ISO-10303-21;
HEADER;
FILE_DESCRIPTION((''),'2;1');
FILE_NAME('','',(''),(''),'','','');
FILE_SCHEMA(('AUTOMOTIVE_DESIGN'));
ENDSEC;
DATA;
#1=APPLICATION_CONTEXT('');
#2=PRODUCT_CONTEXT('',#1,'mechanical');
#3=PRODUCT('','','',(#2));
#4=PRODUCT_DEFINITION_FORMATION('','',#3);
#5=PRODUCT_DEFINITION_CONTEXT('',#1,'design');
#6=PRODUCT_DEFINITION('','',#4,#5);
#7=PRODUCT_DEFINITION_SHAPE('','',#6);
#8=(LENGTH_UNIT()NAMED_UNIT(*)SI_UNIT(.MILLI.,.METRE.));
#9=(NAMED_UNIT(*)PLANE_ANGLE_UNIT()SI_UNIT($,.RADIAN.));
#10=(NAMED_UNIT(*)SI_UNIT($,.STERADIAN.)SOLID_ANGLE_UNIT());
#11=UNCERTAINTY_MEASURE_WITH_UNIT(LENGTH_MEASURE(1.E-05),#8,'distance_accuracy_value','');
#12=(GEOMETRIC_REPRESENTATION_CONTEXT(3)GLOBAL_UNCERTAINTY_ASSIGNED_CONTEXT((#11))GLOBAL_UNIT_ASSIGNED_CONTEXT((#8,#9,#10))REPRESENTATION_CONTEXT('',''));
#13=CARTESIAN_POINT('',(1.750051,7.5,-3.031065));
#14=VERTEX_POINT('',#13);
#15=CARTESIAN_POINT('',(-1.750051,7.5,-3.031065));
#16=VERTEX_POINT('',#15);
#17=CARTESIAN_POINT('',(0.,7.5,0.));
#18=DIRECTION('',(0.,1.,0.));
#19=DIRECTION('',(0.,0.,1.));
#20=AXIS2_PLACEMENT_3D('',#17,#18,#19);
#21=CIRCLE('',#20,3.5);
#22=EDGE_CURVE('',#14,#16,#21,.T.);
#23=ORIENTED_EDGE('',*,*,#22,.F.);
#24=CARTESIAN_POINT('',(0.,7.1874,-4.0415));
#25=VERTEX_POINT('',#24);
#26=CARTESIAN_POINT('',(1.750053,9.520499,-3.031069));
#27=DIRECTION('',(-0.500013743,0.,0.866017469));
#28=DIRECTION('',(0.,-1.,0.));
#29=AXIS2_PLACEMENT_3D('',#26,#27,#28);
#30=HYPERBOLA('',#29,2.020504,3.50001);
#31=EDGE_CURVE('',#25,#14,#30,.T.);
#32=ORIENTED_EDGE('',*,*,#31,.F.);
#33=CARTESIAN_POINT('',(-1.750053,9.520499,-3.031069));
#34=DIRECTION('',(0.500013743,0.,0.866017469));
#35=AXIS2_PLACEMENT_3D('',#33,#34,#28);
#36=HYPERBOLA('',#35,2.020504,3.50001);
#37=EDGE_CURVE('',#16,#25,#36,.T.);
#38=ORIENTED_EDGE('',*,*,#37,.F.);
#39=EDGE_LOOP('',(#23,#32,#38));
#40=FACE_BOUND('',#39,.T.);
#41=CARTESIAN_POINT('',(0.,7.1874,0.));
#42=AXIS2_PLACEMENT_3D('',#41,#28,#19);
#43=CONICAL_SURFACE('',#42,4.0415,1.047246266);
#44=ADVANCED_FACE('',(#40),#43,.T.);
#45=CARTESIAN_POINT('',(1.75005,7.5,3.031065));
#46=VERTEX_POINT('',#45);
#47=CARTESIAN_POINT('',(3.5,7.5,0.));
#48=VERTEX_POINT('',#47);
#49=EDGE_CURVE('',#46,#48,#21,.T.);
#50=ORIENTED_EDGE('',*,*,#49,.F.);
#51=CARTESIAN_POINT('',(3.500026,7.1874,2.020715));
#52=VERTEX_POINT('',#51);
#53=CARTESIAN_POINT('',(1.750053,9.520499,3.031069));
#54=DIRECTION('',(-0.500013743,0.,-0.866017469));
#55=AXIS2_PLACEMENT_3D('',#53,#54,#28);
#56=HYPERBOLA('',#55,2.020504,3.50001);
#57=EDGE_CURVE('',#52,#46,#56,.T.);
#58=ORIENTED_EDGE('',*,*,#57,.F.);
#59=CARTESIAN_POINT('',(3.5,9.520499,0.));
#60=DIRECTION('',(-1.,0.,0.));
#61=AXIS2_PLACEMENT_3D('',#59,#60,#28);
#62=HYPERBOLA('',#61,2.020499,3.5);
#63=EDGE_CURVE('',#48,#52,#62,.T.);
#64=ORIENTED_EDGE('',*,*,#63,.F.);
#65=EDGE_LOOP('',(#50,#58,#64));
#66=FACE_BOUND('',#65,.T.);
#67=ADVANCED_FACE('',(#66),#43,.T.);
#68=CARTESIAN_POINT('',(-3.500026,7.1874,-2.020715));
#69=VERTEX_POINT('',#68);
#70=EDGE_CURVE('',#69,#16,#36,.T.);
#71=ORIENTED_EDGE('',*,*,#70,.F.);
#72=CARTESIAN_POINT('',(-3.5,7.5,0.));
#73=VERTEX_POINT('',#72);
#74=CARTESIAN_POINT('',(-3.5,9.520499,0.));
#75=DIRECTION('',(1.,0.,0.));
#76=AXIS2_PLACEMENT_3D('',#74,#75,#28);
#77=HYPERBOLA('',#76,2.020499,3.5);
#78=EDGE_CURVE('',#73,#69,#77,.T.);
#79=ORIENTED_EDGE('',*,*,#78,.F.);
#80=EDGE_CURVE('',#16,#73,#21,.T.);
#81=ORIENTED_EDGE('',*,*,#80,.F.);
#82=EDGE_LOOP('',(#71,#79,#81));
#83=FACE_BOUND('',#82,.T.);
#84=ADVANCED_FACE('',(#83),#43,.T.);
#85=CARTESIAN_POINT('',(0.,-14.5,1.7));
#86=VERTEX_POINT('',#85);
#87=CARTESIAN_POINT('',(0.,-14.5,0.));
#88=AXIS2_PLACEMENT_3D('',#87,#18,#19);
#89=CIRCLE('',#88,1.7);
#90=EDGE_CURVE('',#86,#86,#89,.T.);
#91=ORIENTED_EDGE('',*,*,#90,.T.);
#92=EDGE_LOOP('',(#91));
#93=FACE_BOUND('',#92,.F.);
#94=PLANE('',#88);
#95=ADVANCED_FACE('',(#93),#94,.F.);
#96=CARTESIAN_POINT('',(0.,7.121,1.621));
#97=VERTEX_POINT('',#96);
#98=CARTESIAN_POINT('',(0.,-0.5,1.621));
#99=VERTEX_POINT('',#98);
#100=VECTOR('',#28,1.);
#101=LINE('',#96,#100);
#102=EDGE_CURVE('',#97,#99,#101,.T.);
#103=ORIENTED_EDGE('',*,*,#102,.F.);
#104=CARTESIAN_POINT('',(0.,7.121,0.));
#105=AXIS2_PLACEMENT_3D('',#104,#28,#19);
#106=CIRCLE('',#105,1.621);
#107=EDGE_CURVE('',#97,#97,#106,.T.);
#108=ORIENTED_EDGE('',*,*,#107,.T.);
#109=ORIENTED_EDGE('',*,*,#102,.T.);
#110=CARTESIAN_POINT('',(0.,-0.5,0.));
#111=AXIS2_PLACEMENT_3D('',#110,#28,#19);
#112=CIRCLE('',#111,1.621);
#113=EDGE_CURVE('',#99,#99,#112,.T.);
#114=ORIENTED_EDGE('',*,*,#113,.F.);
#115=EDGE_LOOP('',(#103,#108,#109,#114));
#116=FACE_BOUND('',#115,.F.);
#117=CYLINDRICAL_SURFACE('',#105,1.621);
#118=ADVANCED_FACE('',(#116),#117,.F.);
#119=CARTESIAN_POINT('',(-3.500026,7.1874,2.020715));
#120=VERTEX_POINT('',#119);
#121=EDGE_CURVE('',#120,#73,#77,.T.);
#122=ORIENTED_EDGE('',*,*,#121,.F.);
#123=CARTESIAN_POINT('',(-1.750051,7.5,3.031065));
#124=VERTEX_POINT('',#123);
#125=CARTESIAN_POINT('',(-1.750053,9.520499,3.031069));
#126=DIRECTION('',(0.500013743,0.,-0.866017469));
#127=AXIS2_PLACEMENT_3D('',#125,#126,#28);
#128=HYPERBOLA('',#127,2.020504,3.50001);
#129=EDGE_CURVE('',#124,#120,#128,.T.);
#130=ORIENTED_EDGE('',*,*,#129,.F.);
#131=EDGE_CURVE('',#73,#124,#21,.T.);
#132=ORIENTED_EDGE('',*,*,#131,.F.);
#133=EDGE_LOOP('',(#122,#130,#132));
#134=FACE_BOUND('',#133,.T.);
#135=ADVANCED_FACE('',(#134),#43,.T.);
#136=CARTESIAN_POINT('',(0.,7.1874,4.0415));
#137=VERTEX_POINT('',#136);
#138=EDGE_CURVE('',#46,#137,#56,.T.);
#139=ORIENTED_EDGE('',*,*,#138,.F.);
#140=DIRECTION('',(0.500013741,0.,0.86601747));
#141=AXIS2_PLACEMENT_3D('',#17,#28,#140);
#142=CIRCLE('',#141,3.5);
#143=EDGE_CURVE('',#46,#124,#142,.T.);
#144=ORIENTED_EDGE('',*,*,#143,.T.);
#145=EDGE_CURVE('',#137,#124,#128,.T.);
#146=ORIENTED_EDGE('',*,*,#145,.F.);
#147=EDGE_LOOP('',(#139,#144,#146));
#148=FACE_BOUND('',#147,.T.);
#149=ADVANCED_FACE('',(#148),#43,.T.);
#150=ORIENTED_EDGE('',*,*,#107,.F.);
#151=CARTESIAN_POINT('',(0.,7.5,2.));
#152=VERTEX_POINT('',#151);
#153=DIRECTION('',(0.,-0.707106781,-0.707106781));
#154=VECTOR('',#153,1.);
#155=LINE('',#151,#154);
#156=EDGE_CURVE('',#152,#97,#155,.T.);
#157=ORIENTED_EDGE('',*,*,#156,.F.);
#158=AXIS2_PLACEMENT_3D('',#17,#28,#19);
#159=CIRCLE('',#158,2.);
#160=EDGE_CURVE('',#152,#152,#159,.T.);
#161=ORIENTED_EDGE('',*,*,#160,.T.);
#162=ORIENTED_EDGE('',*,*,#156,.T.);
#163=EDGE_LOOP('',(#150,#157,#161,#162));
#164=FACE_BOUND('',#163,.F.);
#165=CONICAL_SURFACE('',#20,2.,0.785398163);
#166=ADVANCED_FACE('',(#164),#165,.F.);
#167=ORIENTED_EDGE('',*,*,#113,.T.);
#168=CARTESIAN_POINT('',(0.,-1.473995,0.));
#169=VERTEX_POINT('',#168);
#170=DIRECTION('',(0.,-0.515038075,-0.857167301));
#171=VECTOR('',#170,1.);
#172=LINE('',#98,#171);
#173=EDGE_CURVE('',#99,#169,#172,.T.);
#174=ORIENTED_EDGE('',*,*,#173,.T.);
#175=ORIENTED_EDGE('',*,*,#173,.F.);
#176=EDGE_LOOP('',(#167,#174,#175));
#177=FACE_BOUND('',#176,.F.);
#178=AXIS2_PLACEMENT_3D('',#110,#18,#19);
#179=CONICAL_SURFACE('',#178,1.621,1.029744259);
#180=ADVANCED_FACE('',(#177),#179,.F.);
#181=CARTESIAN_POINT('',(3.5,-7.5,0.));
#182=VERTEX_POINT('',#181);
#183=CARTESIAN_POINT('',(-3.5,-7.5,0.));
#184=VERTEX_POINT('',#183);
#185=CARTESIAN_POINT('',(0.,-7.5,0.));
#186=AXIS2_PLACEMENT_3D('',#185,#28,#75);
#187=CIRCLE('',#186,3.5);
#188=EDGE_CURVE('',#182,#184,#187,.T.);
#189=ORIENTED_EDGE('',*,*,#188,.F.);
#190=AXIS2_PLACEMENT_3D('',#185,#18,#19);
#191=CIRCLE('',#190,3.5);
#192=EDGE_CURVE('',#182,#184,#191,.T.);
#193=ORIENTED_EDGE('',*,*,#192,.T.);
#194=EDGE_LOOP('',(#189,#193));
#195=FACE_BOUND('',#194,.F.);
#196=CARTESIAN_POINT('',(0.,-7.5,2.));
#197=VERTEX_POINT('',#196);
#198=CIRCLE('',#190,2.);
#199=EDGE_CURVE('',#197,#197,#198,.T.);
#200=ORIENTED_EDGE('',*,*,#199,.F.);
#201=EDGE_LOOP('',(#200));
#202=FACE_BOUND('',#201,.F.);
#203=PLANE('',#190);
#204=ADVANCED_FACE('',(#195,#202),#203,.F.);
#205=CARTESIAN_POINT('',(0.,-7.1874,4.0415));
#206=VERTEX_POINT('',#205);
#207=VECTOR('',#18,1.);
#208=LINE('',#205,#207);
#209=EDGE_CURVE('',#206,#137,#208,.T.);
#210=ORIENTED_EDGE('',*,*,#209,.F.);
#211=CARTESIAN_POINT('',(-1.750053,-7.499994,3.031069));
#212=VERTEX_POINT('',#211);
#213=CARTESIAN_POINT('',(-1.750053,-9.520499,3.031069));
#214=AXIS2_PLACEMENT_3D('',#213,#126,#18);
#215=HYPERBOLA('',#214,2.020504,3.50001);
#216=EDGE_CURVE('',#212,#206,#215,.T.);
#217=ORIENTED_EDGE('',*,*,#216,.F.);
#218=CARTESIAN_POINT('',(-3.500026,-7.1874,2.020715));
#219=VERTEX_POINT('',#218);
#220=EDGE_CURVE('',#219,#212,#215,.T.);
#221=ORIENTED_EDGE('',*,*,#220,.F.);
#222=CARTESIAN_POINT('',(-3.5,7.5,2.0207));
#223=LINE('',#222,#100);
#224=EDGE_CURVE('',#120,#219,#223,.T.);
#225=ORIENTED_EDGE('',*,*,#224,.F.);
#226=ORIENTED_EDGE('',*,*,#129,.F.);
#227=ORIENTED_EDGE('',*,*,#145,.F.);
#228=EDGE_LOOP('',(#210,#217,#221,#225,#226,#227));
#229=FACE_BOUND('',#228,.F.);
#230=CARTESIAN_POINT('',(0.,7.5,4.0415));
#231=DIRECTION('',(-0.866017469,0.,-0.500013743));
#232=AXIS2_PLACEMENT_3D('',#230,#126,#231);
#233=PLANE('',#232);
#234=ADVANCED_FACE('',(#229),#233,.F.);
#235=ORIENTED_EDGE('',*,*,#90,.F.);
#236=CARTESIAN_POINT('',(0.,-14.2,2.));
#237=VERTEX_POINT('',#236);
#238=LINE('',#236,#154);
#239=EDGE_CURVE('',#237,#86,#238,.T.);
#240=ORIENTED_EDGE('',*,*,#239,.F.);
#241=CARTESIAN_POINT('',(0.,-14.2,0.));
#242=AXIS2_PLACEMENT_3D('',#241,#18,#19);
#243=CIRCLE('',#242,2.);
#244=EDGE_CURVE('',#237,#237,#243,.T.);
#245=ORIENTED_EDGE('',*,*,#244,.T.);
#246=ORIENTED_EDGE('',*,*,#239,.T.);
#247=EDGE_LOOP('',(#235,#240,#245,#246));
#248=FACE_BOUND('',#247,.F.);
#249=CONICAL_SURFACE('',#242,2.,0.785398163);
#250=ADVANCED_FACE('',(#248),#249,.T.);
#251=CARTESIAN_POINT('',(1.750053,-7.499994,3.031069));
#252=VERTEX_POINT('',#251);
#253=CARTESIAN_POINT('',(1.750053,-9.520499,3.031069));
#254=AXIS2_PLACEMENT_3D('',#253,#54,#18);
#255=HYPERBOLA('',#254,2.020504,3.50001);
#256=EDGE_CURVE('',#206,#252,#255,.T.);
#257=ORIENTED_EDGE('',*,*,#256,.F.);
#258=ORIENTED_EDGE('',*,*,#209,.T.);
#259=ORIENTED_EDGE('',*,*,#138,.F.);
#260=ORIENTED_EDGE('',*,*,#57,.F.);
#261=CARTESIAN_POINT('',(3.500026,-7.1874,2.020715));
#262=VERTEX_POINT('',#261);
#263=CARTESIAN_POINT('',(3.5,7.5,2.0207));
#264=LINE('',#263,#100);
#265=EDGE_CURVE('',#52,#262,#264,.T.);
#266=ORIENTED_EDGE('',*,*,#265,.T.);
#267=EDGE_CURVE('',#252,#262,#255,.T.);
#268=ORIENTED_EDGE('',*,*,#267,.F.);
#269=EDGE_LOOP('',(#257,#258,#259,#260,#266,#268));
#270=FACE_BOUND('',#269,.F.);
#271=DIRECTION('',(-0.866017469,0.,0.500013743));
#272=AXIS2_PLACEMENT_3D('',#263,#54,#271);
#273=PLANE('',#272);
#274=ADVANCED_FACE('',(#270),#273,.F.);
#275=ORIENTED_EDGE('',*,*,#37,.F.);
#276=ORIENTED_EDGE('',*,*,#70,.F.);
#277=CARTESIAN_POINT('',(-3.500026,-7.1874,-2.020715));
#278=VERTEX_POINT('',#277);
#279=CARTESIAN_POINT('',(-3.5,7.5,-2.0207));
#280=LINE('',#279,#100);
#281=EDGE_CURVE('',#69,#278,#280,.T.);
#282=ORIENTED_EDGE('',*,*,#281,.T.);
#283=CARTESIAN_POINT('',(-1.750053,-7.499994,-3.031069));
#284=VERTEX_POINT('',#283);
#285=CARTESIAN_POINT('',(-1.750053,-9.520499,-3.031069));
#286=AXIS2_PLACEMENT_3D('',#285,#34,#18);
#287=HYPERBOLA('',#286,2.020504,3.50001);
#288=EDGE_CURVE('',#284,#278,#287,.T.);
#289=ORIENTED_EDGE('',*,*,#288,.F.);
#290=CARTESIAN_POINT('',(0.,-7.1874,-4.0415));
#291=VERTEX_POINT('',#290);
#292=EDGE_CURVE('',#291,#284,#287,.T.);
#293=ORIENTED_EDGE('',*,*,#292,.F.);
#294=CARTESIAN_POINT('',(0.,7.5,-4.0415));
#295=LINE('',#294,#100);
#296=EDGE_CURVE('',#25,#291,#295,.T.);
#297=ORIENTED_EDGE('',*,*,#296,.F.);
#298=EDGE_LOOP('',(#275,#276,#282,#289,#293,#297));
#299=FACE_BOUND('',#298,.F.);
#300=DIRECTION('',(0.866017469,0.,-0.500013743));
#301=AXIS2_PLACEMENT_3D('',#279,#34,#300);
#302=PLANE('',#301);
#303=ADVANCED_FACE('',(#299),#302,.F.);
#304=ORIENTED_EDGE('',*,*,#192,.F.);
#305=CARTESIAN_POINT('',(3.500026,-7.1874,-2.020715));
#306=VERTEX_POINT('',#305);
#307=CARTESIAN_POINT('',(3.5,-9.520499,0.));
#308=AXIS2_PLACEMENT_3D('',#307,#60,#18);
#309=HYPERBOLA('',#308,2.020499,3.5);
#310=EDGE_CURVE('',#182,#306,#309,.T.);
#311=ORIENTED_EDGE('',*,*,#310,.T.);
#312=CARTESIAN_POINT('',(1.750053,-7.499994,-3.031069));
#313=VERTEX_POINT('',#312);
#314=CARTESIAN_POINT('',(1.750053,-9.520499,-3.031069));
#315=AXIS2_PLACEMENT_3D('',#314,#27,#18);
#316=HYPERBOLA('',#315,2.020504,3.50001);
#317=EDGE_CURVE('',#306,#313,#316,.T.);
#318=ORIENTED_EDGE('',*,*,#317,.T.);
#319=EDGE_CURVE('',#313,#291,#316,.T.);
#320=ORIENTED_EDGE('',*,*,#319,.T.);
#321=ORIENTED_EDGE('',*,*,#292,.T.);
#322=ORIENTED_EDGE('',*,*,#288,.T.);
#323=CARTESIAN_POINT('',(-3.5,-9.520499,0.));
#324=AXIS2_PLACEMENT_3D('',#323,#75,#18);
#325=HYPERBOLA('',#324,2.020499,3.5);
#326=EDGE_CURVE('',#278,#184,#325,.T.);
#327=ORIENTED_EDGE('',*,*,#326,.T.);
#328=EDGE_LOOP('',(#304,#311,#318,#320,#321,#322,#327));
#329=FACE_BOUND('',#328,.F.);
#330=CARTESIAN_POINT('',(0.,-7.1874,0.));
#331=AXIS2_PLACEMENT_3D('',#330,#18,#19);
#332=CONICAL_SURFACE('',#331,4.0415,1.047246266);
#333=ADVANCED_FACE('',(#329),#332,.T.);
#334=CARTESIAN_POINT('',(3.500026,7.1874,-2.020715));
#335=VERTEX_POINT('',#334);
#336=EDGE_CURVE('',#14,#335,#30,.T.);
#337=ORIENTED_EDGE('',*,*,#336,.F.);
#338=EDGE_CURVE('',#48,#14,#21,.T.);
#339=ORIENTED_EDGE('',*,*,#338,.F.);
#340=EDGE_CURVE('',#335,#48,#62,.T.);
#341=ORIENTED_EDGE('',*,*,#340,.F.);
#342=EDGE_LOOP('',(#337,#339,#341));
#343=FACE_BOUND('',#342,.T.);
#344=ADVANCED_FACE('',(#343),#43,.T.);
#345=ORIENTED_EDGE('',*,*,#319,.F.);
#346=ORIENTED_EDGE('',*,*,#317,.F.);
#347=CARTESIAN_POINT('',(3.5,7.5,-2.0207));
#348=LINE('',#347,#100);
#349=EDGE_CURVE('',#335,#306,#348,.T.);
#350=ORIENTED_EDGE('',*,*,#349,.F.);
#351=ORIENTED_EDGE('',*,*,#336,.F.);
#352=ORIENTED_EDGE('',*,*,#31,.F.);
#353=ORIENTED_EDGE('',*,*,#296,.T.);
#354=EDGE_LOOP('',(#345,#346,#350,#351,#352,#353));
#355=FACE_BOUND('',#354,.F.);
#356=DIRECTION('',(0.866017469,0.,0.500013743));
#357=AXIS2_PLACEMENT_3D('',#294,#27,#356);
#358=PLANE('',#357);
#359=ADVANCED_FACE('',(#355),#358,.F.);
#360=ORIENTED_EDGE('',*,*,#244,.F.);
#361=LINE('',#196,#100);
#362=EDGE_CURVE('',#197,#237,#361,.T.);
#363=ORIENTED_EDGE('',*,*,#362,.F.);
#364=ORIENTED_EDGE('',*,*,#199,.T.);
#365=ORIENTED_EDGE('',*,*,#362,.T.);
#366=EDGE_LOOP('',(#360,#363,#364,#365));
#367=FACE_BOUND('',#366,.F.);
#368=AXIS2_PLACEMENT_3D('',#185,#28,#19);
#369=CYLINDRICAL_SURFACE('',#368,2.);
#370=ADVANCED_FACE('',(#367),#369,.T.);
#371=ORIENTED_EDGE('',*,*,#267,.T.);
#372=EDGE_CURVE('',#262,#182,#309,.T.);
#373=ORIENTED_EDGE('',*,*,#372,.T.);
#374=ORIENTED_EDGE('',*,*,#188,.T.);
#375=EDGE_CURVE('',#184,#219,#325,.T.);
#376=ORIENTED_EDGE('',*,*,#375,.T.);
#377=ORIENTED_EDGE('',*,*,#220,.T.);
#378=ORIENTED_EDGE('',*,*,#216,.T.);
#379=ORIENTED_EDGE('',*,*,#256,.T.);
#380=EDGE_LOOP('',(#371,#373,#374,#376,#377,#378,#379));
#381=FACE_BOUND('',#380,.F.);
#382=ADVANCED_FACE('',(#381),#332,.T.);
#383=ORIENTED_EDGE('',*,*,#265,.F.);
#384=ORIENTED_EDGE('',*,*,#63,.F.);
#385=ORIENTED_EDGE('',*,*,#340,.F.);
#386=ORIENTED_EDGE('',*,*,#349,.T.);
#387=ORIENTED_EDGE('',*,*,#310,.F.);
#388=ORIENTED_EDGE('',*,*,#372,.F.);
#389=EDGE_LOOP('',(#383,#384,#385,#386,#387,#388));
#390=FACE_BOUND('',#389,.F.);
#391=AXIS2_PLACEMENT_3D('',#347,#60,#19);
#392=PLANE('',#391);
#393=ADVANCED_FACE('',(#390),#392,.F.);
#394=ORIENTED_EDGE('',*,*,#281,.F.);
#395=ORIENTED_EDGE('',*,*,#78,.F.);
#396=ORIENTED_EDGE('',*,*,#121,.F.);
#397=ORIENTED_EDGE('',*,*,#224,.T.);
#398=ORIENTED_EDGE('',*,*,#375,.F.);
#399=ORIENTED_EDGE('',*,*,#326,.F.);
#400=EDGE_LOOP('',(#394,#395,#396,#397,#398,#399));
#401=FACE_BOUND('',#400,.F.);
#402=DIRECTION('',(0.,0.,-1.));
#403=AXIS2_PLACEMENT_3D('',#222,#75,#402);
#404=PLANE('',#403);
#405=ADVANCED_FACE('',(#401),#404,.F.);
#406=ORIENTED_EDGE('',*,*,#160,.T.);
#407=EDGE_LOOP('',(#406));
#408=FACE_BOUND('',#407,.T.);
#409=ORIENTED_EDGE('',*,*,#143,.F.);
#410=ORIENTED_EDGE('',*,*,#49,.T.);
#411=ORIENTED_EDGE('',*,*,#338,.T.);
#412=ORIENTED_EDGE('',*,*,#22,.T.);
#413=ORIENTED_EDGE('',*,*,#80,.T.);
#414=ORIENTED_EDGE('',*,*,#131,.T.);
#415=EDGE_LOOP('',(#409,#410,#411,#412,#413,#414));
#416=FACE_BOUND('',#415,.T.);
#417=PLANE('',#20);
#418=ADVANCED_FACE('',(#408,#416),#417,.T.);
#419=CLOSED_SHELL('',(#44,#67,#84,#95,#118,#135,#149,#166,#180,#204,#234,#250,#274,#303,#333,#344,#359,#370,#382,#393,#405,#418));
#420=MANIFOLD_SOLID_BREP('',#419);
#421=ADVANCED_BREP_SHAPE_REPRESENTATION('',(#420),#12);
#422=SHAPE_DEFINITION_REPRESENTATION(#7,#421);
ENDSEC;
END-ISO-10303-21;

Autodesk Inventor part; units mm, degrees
ref_plane "YZ Plane" through (0, 0, 0) normal (1, 0, 0) x (0, 1, 0)
ref_plane "XZ Plane" through (0, 0, 0) normal (0, 1, 0) x (-1, 0, 0)
ref_plane "XY Plane" through (0, 0, 0) normal (0, 0, 1) x (1, 0, 0)
sketch "スケッチ1" plane through (0, 0, 0) normal (1, 0, 0) x (0, 1, 0)
  line L0 (-7.5, 0) -> (7.5, 0)
  line L1 (0, 0) -> (0, 4.0415) construction
  line L2 (-7.1874, 4.0415) -> (-7.5, 3.5)
  line L3 (-7.5, 3.5) -> (-7.5, 0)
  line L4 (-7.1874, 4.0415) -> (7.1874, 4.0415)
  line L5 (7.1874, 4.0415) -> (7.5, 3.5)
  line L6 (7.5, 3.5) -> (7.5, 0)
  line L7 (-7.5, 2) -> (-14.2, 2)
  line L8 (-14.5, 1.7) -> (-14.5, 0)
  line L9 (-14.5, 0) -> (-7.5, 0)
  line L10 (-14.2, 2) -> (-14.5, 1.7)
  point P0 (7.5, 1.5)
  point P1 (-14.5, 2)
  dimension "d1" = 3.5
  dimension "d2" = 4.0415
  dimension "d3" = 30
  dimension "d4" = 15
  dimension "d18" = 7
  dimension "d19" = 4
  dimension "d22" = 0.3
  dimension "d23" = 0.3
revolve "回転1" add sketch "スケッチ1" angle 360 about axis through (0, -7.5, 0) along (0, 1, 0)
sketch "スケッチ2" plane through (0, 7.5, 0) normal (0, 1, 0) x (1, 0, 0)
  line L0 (0, -4.0415) -> (-3.5, -2.0207)
  line L1 (-3.5, -2.0207) -> (-3.5, 2.0207)
  line L2 (-3.5, 2.0207) -> (0, 4.0415)
  line L3 (0, 4.0415) -> (3.5, 2.0207)
  line L4 (3.5, 2.0207) -> (3.5, -2.0207)
  line L5 (3.5, -2.0207) -> (0, -4.0415)
  circle A0 centre (0, 0) radius 4.0415 projected
  point P0 (0, 0)
  point P1 (0, 0)
  point P2 (3.5, 2.0207)
  point P3 (3.5, 2.0207)
  point P4 (0, 4.0415)
  point P5 (0, 4.0415)
  point P6 (-3.5, 2.0207)
  point P7 (-3.5, 2.0207)
  point P8 (-3.5, -2.0207)
  point P9 (3.5, -2.0207)
  point P10 (3.5, -2.0207)
extrude "押し出し1" cut sketch "スケッチ2" against normal through all contours A0 L0 | L5 A0 | A0 L1 | L4 A0 | A0 L2 | L3 A0
hole "穴1" at (0, 7.5, 0) direction (0, -1, 0) diameter 3.242 depth 8 tip angle 118 countersink diameter 4 countersink angle 90 thread size "M4x0.7" class "6H" standard "ISO Metric profile"
thread "ねじ1" size "M4x0.7" class "6g" standard "ANSI Metric M Profile" full length
equation "\"d2\" = 1.1547 * d1"
equation "\"d23\" = d22"
properties part number "BSL-415BE" material "アルミニウム 2014-T4"
